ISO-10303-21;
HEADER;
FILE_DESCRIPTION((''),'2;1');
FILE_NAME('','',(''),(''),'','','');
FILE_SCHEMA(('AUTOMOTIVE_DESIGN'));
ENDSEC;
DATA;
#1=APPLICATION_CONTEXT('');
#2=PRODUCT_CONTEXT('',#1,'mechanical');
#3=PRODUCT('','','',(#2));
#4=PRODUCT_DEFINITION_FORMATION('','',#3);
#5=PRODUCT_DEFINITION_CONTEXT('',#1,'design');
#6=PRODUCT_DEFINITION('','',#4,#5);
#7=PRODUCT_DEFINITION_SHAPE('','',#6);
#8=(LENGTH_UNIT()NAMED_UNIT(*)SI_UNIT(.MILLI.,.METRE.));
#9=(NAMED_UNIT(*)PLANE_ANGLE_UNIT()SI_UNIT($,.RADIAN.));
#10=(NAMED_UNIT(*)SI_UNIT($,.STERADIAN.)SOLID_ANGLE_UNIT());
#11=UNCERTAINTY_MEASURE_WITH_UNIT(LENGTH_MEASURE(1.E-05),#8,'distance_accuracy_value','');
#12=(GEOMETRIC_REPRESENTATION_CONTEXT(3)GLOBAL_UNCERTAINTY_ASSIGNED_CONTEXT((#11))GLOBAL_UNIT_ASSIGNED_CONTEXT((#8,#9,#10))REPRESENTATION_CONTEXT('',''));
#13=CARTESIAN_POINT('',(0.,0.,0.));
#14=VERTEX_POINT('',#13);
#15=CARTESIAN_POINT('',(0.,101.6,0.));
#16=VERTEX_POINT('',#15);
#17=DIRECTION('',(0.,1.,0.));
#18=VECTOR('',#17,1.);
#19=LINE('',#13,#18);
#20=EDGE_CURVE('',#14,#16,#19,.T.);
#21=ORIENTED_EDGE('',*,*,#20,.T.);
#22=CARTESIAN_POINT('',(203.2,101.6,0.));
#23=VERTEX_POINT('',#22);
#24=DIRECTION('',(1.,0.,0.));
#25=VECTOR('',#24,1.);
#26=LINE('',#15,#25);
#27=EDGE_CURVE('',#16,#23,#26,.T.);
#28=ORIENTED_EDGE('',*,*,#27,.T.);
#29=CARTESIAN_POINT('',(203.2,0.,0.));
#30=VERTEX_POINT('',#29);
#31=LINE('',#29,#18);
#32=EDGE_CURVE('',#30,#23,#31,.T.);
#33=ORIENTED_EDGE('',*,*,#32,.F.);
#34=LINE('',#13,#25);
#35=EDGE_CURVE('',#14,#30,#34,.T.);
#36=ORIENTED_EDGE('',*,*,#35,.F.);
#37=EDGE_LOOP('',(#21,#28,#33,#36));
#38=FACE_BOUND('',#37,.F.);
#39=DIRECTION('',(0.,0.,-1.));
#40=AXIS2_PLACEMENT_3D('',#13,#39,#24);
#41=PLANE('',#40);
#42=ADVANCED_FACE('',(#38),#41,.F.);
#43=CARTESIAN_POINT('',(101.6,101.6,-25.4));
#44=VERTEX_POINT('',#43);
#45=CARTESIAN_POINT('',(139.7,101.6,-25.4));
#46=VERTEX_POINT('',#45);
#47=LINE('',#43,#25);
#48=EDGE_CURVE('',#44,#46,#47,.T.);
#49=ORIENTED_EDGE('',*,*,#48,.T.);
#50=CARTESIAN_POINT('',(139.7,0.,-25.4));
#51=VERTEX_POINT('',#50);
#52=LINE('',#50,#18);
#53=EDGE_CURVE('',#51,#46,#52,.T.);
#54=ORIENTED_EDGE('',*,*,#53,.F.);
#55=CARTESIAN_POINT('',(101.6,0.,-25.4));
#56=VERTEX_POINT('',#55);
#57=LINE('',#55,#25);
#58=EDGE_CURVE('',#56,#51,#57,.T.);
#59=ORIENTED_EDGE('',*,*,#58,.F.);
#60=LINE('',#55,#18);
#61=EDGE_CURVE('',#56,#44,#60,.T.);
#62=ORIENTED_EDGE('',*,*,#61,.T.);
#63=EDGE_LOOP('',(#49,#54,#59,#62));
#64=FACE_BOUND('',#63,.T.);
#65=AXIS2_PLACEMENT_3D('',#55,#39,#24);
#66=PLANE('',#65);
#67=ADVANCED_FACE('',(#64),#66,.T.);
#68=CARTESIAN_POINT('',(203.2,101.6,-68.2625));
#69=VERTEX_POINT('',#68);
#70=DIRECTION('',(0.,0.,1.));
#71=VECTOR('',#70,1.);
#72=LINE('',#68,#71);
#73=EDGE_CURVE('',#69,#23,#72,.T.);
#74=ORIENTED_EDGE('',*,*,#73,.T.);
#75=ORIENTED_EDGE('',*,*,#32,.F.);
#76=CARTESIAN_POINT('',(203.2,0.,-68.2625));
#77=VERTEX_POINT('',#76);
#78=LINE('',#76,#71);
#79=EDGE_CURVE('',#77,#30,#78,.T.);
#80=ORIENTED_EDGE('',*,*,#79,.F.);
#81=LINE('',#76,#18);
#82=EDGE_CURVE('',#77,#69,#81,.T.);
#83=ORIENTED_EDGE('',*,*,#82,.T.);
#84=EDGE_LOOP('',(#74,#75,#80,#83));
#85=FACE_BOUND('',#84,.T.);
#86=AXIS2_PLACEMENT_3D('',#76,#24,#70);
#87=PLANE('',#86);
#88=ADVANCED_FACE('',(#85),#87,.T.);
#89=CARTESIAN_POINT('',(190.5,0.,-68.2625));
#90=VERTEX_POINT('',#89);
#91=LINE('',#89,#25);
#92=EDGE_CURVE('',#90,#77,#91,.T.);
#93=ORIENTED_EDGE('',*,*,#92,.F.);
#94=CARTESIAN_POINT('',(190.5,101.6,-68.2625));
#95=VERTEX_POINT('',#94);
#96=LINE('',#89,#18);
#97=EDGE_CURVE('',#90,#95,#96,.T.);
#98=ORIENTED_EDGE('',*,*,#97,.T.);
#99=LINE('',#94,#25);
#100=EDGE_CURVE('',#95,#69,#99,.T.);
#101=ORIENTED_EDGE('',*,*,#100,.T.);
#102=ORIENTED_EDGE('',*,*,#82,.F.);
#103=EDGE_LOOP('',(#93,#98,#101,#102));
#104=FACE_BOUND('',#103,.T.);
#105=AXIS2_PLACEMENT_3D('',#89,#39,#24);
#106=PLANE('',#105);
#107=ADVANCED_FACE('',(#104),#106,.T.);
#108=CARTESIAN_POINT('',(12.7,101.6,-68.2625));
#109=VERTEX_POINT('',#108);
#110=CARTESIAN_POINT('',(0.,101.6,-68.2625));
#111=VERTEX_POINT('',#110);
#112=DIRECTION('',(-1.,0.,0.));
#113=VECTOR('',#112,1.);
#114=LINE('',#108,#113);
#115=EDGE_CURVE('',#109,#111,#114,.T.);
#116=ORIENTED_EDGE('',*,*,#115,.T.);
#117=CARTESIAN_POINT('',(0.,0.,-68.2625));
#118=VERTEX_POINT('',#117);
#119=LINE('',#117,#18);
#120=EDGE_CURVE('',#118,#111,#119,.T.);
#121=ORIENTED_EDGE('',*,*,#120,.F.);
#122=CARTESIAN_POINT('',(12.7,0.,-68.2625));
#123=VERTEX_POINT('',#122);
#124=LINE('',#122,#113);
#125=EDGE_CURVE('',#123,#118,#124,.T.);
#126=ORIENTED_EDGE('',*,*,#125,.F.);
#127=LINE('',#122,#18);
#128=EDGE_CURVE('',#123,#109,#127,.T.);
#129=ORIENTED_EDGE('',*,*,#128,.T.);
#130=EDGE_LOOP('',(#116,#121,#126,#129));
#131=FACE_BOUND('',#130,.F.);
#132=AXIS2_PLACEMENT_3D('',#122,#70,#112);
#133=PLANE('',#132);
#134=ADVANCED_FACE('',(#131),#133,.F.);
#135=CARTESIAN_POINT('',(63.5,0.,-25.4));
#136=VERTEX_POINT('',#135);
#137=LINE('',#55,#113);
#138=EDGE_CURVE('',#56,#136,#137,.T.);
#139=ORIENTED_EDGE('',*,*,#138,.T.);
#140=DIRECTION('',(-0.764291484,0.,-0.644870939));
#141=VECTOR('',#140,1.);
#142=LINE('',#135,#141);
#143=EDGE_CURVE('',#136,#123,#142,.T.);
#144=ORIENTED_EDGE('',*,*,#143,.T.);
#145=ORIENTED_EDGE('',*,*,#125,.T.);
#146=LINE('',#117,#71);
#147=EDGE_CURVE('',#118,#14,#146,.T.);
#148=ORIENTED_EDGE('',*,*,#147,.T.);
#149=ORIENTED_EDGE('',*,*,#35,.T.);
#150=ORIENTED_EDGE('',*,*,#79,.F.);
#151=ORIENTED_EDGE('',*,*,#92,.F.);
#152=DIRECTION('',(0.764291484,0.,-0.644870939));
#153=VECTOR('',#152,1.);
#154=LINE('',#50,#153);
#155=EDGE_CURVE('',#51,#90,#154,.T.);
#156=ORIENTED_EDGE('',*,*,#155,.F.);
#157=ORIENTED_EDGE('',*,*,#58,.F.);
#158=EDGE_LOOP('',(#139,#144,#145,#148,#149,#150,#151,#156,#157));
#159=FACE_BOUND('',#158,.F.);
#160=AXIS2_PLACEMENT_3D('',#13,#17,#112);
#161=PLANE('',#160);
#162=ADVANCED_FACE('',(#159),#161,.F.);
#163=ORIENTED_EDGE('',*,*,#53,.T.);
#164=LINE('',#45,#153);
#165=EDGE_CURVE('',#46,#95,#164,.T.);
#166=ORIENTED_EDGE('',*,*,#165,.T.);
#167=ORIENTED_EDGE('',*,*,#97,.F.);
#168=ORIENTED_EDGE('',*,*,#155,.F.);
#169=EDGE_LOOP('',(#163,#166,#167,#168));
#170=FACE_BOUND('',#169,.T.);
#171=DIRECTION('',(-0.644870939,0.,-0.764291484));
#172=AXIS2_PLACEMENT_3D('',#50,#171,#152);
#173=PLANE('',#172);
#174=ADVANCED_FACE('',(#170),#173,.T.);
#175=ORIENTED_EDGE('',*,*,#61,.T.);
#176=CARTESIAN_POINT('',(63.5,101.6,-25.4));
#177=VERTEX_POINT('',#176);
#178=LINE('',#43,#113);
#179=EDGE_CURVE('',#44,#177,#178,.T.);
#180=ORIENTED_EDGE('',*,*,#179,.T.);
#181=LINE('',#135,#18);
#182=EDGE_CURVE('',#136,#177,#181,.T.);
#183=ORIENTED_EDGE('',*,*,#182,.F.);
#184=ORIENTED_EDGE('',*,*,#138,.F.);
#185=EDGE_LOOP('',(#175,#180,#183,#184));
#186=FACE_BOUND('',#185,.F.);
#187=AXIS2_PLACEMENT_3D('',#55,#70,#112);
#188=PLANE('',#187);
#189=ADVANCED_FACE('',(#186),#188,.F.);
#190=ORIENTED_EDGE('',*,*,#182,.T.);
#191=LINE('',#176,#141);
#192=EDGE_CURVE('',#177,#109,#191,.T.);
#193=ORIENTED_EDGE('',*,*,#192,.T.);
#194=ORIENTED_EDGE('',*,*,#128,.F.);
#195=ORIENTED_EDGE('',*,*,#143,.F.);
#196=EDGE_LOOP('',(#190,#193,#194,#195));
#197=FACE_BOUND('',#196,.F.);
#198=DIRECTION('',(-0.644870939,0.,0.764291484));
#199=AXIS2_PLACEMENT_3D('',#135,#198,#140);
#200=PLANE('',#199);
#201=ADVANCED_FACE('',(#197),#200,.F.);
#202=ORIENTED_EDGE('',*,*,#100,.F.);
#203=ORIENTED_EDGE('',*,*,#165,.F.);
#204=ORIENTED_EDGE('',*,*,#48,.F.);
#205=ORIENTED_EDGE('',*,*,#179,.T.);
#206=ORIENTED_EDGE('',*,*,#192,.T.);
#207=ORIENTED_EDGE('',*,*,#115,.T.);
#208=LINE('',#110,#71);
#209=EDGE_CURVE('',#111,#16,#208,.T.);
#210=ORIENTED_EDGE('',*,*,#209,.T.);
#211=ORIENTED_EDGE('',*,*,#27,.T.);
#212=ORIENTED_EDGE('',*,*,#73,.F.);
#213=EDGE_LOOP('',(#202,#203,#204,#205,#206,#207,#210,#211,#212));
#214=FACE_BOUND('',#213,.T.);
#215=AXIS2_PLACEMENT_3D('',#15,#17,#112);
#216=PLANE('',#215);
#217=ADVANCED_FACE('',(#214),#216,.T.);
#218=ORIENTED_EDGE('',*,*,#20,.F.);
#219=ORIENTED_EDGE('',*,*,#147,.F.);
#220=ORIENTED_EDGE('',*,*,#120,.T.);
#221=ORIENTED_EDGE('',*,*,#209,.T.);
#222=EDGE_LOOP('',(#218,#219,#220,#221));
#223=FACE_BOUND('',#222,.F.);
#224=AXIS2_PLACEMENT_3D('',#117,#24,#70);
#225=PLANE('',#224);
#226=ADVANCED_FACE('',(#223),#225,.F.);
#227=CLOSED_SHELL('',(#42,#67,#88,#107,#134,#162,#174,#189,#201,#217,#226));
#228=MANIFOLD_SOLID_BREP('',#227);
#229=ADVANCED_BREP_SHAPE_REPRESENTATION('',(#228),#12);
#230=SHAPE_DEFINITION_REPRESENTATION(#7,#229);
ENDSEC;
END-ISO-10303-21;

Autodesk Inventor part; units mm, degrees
ref_plane "YZ Plane" through (0, 0, 0) normal (1, 0, 0) x (0, 1, 0)
ref_plane "XZ Plane" through (0, 0, 0) normal (0, 1, 0) x (-1, 0, 0)
ref_plane "XY Plane" through (0, 0, 0) normal (0, 0, 1) x (1, 0, 0)
sketch "Sketch1" plane through (0, 0, 0) normal (0, 1, 0) x (-1, 0, 0)
  line L0 (0, 0) -> (-203.2, 0)
  circle A0 centre (-101.6, -127) radius 101.6 construction
  line L1 (-101.6, -25.4) -> (-139.7, -25.4)
  line L2 (-139.7, -25.4) -> (-190.5, -68.2625)
  line L3 (-190.5, -68.2625) -> (-203.2, -68.2625)
  line L4 (-203.2, -68.2625) -> (-203.2, 0)
  line L5 (-101.6, 0) -> (-101.6, -15.875) construction
  line L6 (-101.6, -25.4) -> (-63.5, -25.4)
  line L7 (-63.5, -25.4) -> (-12.7, -68.2625)
  line L8 (-12.7, -68.2625) -> (0, -68.2625)
  line L9 (0, -68.2625) -> (0, 0) construction
  line L10 (0, -68.2625) -> (0, 0)
  dimension "d5" = 203.2
  dimension "d4" = 203.2
  dimension "d6" = 127
  dimension "d7" = 38.1
extrude "Extrusion1" add sketch "Sketch1" along normal blind 101.6
properties part number "2p2smb" material "Wood (Cherry)"
